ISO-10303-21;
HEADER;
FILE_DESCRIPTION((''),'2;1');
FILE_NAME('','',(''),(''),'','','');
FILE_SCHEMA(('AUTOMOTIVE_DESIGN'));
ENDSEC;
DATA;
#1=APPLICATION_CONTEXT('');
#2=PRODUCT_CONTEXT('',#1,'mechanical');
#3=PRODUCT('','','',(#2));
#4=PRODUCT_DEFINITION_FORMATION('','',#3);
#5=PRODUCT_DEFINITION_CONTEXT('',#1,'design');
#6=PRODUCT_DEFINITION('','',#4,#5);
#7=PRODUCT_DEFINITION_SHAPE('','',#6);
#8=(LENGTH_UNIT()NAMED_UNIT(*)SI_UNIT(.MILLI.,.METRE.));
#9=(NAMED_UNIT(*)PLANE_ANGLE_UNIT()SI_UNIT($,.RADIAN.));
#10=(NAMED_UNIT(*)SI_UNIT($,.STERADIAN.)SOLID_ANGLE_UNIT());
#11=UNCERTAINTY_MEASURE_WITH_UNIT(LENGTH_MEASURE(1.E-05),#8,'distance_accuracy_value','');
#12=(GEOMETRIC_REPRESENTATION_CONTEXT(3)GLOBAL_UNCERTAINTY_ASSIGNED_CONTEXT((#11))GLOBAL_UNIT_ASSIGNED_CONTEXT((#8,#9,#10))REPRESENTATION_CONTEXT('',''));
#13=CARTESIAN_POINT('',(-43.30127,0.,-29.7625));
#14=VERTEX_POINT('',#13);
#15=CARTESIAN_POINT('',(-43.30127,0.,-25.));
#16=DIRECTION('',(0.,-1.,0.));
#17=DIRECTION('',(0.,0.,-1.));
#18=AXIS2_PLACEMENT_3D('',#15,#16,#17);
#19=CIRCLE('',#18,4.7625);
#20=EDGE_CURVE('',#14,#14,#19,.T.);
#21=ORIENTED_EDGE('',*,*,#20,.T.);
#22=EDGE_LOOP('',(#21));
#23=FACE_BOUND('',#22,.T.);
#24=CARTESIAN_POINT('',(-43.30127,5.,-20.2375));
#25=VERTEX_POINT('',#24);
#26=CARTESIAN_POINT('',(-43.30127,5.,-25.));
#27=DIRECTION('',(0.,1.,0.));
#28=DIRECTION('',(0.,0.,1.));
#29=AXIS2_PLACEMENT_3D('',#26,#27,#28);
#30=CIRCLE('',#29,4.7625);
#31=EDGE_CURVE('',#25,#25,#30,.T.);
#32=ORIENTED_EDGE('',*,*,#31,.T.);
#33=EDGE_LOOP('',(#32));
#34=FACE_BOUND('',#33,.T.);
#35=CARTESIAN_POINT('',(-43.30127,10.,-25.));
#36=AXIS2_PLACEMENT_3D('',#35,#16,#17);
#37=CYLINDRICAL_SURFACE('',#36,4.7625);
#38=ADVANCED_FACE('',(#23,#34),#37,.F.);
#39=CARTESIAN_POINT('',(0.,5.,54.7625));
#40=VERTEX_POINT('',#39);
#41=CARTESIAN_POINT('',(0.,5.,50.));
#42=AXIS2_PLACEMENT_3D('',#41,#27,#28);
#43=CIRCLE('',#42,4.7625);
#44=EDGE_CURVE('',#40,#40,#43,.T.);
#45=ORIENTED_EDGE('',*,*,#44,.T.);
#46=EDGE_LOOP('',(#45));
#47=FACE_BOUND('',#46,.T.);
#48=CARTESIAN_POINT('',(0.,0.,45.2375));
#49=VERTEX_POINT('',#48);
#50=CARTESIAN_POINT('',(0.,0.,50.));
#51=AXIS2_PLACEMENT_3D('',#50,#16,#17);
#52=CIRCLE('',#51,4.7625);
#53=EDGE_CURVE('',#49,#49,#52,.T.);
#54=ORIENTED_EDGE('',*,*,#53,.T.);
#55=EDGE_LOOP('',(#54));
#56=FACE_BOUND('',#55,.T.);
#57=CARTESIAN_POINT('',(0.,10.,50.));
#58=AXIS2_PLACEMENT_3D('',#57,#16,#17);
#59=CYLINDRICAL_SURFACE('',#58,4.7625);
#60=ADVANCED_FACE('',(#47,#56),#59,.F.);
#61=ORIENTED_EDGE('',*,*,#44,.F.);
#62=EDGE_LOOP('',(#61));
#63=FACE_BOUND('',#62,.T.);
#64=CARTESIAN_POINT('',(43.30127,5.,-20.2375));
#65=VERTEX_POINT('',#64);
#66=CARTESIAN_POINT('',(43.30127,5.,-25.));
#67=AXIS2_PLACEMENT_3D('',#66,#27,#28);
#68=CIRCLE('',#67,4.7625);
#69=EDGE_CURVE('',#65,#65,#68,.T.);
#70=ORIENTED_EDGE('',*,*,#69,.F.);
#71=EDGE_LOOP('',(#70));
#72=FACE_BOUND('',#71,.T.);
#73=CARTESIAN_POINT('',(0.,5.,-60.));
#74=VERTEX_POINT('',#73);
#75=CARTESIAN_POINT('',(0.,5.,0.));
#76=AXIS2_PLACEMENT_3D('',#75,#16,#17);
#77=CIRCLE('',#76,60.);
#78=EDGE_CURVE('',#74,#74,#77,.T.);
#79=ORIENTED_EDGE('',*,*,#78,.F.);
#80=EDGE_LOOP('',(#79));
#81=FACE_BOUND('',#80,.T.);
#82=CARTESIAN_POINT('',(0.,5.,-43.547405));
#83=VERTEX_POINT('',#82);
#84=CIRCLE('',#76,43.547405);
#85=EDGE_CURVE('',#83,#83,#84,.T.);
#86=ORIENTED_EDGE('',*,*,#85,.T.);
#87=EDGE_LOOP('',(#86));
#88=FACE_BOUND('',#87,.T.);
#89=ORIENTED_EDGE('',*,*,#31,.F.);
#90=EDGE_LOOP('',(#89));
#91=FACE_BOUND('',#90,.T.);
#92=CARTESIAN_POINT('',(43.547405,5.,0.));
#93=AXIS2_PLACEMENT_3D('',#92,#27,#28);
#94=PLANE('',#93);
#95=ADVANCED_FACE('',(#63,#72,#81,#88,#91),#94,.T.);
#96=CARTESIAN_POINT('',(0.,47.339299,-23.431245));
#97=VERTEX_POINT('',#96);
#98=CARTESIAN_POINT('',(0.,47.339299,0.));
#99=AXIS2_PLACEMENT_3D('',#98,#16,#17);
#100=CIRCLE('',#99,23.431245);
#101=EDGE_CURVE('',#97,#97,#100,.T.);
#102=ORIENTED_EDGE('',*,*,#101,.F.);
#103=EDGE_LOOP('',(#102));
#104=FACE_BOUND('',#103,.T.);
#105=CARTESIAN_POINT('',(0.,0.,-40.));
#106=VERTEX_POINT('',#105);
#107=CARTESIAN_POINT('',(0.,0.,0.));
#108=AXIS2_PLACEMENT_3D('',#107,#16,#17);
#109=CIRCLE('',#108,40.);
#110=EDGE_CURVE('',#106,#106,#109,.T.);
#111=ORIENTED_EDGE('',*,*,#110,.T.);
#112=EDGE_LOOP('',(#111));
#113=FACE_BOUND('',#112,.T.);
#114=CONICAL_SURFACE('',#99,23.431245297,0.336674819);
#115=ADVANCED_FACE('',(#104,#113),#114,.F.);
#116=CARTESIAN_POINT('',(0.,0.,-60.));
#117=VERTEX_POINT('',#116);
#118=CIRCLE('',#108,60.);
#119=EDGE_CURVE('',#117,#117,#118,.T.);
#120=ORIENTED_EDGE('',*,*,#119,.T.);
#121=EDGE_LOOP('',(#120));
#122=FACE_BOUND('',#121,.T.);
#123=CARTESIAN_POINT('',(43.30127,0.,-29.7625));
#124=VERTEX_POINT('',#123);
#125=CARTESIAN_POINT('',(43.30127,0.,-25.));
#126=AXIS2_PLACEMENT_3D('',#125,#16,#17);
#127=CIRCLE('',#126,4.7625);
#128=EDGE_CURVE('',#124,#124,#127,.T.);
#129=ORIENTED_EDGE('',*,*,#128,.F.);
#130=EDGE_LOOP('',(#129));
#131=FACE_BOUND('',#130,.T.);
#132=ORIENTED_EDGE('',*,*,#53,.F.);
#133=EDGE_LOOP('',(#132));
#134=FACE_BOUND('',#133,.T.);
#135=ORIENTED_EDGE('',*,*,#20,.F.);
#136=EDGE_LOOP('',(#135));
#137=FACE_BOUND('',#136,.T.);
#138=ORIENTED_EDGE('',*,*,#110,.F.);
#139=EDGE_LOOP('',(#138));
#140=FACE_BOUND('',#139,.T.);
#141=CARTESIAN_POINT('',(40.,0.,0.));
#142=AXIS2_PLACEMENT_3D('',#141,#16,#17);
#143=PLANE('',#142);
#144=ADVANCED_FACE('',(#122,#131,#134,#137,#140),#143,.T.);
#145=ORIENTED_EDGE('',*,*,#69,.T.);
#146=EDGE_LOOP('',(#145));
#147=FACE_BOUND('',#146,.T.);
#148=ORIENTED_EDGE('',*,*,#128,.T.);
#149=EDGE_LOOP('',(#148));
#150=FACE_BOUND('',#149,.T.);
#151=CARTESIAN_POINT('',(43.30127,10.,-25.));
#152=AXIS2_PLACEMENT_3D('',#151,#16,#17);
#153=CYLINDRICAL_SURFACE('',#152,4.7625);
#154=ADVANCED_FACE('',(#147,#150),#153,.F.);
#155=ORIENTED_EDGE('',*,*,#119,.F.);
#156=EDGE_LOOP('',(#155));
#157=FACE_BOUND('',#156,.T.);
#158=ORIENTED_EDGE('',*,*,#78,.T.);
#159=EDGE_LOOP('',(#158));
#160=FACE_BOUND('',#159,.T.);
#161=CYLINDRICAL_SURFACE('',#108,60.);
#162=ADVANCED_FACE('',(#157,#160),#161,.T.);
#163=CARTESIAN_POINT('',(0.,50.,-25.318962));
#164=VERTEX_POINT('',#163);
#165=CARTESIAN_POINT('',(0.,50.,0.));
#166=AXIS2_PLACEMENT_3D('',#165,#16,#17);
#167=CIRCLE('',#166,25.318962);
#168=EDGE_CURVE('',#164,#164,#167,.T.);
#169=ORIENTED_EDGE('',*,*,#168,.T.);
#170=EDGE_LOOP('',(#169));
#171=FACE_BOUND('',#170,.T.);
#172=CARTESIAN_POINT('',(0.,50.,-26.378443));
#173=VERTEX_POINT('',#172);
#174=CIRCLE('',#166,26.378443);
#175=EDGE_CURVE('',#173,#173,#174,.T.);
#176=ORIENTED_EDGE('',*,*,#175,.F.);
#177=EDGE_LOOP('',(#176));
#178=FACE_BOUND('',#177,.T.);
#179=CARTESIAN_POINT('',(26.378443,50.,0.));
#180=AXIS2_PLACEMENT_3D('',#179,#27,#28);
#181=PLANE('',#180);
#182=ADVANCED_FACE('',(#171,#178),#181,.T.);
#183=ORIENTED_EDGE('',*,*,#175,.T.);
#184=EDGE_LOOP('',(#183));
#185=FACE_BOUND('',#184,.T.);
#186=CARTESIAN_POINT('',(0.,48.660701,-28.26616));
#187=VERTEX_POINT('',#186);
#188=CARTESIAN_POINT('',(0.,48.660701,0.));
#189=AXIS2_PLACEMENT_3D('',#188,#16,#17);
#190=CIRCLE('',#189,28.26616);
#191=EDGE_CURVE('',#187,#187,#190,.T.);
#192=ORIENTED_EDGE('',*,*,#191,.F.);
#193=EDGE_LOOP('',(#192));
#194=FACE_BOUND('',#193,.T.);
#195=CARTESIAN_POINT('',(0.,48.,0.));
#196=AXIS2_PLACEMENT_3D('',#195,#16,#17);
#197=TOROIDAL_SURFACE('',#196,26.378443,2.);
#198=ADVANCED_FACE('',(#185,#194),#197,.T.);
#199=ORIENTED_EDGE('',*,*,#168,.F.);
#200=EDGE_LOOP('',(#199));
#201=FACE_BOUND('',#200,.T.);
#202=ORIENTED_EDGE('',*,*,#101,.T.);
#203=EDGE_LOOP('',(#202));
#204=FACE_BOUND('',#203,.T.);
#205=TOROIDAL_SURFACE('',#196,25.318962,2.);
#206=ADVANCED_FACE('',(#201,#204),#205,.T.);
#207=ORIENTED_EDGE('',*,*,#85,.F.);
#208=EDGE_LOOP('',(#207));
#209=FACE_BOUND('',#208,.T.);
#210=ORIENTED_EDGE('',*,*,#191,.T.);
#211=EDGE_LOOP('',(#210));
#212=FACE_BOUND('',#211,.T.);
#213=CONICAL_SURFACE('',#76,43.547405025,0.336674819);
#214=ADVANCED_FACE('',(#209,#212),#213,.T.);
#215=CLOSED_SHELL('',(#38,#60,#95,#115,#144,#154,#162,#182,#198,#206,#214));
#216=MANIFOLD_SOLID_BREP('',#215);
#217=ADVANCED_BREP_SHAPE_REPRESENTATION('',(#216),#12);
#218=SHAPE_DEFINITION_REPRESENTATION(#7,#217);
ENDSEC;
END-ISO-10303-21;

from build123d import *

# Parameters (mm, degrees)
CROQUIS3_R            = 4.7625
CORTAR_EXTRUIR2_DEPTH = 10


with BuildPart() as part:
    # Croquis2 → Revolución1 (revolve)
    with BuildSketch(Plane.XY):
        with BuildLine():
            Line((40, 0), (60, 0))
            Line((60, 0), (60, 5))
            Line((60, 5), (43.547405025, 5))
            Line((43.547405025, 5), (28.266159728, 48.660700849))
            ThreePointArc((28.266159728, 48.660700849), (27.535723945, 49.631165488), (26.378443015, 50))
            Line((26.378443015, 50), (25.31896201, 50))
            ThreePointArc((25.31896201, 50), (23.687796522, 49.15728093), (23.431245297, 47.339299151))
            Line((23.431245297, 47.339299151), (40, 0))
        make_face()
    revolve(axis=Axis((0, 0, 0), (0, 1, 0)))

    # Croquis3 → Cortar-Extruir2 (cut)
    with BuildSketch(Plane.XZ):
        with Locations((0, 50)):
            Circle(CROQUIS3_R)
        with Locations((43.301270189, -25)):
            Circle(CROQUIS3_R)
        with Locations((-43.301270189, -25)):
            Circle(CROQUIS3_R)
    extrude(amount=-CORTAR_EXTRUIR2_DEPTH, mode=Mode.SUBTRACT)


solid = part.part
